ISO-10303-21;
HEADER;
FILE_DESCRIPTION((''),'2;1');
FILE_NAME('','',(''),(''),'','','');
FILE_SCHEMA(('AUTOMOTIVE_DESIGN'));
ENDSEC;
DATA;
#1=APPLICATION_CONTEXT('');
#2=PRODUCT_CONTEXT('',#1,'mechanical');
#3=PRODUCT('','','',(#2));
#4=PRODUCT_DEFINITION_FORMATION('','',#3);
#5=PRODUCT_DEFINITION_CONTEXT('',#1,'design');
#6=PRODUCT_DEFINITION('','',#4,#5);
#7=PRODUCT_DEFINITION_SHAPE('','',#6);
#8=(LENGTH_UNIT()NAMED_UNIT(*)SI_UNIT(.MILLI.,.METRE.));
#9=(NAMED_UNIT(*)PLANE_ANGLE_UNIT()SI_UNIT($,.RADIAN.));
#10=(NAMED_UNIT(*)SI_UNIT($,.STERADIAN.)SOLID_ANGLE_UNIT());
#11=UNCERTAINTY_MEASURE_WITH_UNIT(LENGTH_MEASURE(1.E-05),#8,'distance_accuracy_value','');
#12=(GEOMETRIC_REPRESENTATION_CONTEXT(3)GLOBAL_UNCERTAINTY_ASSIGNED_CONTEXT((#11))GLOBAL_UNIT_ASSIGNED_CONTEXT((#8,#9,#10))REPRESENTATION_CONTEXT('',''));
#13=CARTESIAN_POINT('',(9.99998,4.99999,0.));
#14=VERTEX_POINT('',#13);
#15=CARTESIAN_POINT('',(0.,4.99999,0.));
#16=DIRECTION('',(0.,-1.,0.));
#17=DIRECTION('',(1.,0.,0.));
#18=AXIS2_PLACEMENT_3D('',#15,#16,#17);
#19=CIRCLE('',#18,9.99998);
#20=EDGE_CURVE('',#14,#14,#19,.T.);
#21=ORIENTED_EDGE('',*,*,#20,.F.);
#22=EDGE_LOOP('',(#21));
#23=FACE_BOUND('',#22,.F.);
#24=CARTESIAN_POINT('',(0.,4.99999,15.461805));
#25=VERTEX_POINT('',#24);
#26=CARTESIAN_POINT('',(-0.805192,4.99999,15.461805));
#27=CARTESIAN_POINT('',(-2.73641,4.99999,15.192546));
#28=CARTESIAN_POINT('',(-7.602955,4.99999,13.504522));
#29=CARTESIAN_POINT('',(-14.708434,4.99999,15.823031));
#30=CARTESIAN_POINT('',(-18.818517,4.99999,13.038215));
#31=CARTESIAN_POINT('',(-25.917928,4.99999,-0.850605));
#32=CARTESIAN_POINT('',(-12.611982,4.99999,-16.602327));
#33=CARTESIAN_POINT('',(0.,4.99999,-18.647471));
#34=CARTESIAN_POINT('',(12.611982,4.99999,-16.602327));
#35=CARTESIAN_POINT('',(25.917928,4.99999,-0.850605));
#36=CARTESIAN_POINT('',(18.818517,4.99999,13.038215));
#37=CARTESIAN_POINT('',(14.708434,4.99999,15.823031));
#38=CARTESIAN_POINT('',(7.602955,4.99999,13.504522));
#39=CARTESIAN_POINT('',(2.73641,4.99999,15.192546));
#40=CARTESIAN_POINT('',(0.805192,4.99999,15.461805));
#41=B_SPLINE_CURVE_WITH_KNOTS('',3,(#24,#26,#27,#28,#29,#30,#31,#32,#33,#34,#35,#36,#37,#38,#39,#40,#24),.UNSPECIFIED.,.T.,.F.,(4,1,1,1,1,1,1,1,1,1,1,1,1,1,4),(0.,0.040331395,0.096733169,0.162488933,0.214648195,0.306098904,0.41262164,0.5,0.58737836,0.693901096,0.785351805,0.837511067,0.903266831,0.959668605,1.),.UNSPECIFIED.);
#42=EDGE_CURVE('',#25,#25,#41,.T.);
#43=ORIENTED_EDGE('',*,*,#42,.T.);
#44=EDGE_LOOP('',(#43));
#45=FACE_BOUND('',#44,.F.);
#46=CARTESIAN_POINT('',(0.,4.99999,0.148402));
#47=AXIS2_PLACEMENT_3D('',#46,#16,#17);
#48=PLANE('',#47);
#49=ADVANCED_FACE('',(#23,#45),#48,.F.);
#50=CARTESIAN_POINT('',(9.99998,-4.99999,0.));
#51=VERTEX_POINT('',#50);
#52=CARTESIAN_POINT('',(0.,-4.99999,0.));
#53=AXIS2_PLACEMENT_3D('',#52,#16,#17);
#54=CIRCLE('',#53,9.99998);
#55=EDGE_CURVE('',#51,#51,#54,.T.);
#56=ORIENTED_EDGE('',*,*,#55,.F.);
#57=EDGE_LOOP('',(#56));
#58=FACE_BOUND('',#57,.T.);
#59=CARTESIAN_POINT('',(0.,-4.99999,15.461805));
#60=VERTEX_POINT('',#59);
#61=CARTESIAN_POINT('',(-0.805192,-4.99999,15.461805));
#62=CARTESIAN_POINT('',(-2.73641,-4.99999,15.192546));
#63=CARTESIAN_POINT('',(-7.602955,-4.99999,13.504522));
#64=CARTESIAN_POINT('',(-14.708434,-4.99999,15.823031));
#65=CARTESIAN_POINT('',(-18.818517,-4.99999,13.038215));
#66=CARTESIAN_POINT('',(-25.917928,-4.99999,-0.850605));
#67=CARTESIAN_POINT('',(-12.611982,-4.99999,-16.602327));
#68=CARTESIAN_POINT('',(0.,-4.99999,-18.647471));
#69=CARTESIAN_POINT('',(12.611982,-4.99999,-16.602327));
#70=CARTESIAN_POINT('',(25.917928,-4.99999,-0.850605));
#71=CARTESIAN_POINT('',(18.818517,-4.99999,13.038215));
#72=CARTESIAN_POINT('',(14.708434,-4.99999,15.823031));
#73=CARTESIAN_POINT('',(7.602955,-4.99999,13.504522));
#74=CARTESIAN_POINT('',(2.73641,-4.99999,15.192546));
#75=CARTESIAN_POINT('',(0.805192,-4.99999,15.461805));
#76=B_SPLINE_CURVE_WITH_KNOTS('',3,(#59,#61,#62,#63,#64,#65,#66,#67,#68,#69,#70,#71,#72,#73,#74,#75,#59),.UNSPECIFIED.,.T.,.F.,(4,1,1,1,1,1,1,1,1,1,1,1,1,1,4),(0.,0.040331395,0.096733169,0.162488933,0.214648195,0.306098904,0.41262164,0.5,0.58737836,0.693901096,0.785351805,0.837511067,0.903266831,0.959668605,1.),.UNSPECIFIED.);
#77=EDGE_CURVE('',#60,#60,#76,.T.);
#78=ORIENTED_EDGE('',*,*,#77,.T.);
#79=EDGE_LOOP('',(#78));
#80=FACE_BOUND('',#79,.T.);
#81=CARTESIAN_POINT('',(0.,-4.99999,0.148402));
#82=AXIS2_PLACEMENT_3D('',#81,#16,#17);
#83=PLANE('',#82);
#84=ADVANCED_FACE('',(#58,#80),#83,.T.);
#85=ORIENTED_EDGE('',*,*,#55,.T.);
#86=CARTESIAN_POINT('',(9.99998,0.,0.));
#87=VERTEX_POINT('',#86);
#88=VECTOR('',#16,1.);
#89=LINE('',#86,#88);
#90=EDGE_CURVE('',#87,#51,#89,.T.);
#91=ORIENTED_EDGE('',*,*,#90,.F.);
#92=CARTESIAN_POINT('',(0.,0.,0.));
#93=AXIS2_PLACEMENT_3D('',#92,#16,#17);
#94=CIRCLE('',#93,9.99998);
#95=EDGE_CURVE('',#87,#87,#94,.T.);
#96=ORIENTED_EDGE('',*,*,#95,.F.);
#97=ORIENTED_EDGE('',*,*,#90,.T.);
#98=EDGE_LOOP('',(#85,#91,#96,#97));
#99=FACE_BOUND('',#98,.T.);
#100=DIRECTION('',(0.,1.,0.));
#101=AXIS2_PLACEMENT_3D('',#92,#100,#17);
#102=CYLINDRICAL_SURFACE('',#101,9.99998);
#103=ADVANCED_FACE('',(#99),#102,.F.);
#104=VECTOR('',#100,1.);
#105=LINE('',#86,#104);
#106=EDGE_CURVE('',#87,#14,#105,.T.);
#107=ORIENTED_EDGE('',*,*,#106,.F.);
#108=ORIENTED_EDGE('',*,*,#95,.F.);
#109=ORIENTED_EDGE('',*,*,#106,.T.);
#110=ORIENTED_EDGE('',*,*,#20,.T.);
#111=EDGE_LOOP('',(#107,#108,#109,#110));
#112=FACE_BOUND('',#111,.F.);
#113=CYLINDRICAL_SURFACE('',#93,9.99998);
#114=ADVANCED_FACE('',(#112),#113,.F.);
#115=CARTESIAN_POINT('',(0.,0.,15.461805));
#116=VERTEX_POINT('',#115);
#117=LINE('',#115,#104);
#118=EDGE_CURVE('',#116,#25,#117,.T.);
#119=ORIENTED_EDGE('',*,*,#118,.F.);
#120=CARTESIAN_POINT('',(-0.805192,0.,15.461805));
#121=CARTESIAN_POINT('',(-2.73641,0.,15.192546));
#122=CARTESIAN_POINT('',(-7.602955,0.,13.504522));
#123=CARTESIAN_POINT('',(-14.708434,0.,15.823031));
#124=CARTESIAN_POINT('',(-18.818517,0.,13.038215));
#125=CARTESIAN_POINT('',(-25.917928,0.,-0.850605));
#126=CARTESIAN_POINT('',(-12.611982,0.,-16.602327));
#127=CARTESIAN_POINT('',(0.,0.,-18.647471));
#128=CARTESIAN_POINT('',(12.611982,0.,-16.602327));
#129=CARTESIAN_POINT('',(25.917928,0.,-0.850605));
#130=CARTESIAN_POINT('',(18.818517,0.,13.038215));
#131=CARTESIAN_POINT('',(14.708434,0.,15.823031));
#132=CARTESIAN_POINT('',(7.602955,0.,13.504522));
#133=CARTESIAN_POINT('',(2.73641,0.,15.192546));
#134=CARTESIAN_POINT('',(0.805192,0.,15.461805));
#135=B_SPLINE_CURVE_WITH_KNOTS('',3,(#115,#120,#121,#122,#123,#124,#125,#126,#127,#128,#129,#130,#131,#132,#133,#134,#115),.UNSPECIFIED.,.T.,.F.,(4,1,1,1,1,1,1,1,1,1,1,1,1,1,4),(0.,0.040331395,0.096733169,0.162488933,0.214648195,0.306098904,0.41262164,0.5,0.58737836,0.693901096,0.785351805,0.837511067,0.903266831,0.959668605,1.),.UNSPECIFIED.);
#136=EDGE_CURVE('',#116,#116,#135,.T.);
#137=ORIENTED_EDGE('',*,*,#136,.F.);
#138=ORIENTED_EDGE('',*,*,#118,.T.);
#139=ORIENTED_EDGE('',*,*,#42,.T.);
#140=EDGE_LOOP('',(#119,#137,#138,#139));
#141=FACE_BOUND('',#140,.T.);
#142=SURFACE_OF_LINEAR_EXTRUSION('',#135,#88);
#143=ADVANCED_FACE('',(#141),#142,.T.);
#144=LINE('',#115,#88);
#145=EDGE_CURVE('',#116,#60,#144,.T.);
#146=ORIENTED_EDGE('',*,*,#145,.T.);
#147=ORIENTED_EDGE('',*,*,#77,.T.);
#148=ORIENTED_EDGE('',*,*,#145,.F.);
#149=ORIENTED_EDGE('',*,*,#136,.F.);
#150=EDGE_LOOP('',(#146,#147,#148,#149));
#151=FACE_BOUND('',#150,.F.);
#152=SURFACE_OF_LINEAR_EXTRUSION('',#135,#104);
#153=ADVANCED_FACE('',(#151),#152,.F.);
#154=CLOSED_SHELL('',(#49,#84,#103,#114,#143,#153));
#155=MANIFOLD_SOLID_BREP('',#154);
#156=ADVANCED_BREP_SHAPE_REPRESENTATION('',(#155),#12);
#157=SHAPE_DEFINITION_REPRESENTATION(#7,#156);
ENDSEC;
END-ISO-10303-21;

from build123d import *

# Parameters (mm, degrees)
F0_R     = 9.99998
F1_DEPTH = 4.99999


with BuildPart() as f1:
    # F0 (on Front) → F1 (new body, symmetric)
    with BuildSketch(Plane.XZ):
        with BuildLine():
            add(Edge.make_bspline(
                [(0, 15.4618052766), (-0.8051916446, 15.4618052766), (-2.7364102484, 15.1925458202), (-7.6029549223, 13.5045220806), (-14.7084344068, 15.8230307289), (-18.818516809, 13.0382147569), (-25.9179276363, -0.8506049928), (-12.6119815104, -16.602326736), (0, -18.6474708461), (12.6119815104, -16.602326736), (25.9179276363, -0.8506049928), (18.818516809, 13.0382147569), (14.7084344068, 15.8230307289), (7.6029549223, 13.5045220806), (2.7364102484, 15.1925458202), (0.8051916446, 15.4618052766), (0, 15.4618052766)],
                knots=[0, 0, 0, 0, 0.0403313946, 0.0967331693, 0.1624889331, 0.2146481949, 0.3060989045, 0.4126216401, 0.5, 0.5873783599, 0.6939010955, 0.7853518051, 0.8375110669, 0.9032668307, 0.9596686054, 1, 1, 1, 1], degree=3))
        make_face()
        Circle(F0_R, mode=Mode.SUBTRACT)
    extrude(amount=F1_DEPTH, both=True)


solid = f1.part
